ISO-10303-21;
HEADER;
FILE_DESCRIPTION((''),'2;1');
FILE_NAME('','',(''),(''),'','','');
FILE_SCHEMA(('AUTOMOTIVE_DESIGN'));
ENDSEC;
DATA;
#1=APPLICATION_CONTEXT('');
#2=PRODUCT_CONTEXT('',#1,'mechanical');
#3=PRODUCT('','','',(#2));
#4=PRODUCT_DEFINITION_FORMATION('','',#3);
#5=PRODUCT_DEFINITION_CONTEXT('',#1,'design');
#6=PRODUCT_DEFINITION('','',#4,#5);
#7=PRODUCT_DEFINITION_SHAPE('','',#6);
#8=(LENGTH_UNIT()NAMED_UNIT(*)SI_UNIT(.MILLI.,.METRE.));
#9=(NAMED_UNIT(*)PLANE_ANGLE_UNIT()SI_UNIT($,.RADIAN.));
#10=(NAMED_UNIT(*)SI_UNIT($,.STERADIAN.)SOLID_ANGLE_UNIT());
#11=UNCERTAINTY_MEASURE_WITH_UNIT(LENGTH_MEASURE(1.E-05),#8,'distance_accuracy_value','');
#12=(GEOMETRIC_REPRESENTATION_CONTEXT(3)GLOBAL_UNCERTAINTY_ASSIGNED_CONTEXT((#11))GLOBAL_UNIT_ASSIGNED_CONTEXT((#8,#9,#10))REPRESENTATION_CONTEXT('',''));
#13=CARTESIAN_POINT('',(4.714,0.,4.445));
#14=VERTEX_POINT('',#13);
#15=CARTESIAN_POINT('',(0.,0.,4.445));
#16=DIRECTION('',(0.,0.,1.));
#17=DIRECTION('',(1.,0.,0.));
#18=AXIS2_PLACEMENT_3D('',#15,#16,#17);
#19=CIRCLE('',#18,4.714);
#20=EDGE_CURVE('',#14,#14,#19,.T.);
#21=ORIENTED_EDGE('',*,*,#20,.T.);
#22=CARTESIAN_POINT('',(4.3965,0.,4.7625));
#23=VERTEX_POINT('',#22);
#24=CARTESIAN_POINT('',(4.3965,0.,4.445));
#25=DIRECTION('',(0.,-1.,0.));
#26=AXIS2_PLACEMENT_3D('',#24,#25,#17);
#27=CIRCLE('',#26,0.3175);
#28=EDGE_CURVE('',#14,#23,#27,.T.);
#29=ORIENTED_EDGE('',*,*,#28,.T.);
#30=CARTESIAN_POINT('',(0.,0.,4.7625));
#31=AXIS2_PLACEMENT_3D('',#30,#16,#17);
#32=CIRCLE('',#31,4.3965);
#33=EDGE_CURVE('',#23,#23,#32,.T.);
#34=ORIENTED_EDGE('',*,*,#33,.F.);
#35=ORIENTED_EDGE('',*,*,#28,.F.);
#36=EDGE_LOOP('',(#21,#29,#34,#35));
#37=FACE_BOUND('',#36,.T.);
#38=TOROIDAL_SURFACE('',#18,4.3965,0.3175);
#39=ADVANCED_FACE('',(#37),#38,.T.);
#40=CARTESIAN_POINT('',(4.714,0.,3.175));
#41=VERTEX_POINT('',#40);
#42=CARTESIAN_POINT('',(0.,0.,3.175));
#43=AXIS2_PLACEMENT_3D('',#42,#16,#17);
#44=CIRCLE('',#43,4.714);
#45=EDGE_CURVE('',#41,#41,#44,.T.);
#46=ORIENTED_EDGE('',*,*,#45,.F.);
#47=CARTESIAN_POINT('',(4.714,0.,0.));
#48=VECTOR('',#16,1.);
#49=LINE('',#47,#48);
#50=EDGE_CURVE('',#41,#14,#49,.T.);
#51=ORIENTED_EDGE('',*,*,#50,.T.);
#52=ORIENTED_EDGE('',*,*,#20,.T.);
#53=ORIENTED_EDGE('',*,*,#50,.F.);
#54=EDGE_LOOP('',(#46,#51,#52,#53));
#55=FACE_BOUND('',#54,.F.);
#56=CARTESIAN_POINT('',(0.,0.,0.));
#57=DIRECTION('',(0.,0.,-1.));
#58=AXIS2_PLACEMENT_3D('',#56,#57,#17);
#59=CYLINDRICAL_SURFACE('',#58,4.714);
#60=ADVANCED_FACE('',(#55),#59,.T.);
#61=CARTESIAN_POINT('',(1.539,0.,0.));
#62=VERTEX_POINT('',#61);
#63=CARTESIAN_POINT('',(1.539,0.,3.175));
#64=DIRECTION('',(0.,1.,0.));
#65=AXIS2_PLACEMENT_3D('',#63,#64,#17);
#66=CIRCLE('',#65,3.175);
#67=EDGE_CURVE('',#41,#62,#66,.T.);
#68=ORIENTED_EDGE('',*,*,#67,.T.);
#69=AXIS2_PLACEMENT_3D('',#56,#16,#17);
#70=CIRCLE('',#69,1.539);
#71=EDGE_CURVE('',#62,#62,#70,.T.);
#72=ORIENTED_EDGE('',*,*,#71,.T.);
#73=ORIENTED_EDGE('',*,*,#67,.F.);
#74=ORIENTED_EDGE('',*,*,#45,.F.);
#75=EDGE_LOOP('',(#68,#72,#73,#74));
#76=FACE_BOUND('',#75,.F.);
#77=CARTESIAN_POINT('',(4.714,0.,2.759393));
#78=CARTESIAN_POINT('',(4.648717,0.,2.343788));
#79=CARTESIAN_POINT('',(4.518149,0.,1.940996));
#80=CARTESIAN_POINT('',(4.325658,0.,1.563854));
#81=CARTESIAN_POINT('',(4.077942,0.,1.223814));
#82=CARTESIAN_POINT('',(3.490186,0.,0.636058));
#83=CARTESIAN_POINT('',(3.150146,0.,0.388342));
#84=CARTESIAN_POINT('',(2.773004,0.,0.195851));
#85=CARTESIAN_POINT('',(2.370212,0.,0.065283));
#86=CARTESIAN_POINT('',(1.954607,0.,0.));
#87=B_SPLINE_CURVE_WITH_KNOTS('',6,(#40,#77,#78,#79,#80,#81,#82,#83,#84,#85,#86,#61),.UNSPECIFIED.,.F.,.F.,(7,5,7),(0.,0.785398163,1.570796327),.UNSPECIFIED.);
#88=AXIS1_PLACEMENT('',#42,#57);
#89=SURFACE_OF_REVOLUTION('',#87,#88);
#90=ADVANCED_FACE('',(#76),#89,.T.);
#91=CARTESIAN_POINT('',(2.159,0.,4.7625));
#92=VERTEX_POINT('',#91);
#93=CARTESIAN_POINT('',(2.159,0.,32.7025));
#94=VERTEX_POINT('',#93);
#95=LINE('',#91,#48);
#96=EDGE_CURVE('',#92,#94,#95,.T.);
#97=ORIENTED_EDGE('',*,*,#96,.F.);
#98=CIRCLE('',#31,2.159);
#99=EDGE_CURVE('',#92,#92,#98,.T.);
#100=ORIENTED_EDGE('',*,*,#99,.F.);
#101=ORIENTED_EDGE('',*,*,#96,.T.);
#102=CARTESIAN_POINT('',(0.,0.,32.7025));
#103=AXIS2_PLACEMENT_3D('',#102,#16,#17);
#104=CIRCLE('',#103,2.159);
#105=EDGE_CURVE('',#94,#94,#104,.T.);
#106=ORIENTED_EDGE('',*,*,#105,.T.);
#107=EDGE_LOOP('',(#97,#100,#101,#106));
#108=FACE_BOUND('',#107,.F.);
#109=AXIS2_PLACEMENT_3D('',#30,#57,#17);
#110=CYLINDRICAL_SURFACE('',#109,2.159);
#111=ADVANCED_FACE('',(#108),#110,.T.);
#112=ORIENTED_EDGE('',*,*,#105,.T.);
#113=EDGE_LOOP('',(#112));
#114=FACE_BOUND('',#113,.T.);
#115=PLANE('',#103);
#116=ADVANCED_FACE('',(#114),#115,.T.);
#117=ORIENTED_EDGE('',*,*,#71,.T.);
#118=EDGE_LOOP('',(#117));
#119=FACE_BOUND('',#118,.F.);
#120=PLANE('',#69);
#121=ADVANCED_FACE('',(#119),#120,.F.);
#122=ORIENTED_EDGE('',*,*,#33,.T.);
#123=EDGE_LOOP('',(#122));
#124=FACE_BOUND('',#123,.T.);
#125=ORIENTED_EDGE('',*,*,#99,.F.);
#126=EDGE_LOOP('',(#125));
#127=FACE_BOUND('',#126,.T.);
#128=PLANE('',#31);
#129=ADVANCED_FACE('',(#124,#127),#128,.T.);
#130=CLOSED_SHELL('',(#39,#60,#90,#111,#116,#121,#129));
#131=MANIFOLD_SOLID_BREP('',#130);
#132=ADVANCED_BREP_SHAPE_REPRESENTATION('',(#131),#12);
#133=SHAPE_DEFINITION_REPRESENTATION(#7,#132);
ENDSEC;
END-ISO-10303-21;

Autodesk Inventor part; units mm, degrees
ref_plane "YZ Plane" through (0, 0, 0) normal (1, 0, 0) x (0, 1, 0)
ref_plane "XZ Plane" through (0, 0, 0) normal (0, 1, 0) x (-1, 0, 0)
ref_plane "XY Plane" through (0, 0, 0) normal (0, 0, 1) x (1, 0, 0)
sketch "Sketch1" plane through (0, 0, 0) normal (0, 0, 1) x (1, 0, 0)
  circle A0 centre (0, 0) radius 4.714
extrude "Extrusion1" add sketch "Sketch1" along normal blind 4.7625
fillet "Fillet1" radius 3.175 1 edges at (-4.714, 0, 0)
fillet "Fillet2" radius 0.3175 1 edges at (-4.714, 0, 4.7625)
sketch "Sketch2" plane through (0, 0, 4.7625) normal (0, 0, 1) x (1, 0, 0)
  circle A0 centre (0, 0) radius 1.539 projected
  circle A1 centre (0, 0) radius 2.159
  dimension "d4" = 4.318
extrude "Extrusion2" add sketch "Sketch2" along normal blind 27.94 contours A0 | A1
thread "Thread1" size "10-24 UNC" class "2A" standard "ANSI Unified Screw Threads" full length
properties part number "Bolt"
